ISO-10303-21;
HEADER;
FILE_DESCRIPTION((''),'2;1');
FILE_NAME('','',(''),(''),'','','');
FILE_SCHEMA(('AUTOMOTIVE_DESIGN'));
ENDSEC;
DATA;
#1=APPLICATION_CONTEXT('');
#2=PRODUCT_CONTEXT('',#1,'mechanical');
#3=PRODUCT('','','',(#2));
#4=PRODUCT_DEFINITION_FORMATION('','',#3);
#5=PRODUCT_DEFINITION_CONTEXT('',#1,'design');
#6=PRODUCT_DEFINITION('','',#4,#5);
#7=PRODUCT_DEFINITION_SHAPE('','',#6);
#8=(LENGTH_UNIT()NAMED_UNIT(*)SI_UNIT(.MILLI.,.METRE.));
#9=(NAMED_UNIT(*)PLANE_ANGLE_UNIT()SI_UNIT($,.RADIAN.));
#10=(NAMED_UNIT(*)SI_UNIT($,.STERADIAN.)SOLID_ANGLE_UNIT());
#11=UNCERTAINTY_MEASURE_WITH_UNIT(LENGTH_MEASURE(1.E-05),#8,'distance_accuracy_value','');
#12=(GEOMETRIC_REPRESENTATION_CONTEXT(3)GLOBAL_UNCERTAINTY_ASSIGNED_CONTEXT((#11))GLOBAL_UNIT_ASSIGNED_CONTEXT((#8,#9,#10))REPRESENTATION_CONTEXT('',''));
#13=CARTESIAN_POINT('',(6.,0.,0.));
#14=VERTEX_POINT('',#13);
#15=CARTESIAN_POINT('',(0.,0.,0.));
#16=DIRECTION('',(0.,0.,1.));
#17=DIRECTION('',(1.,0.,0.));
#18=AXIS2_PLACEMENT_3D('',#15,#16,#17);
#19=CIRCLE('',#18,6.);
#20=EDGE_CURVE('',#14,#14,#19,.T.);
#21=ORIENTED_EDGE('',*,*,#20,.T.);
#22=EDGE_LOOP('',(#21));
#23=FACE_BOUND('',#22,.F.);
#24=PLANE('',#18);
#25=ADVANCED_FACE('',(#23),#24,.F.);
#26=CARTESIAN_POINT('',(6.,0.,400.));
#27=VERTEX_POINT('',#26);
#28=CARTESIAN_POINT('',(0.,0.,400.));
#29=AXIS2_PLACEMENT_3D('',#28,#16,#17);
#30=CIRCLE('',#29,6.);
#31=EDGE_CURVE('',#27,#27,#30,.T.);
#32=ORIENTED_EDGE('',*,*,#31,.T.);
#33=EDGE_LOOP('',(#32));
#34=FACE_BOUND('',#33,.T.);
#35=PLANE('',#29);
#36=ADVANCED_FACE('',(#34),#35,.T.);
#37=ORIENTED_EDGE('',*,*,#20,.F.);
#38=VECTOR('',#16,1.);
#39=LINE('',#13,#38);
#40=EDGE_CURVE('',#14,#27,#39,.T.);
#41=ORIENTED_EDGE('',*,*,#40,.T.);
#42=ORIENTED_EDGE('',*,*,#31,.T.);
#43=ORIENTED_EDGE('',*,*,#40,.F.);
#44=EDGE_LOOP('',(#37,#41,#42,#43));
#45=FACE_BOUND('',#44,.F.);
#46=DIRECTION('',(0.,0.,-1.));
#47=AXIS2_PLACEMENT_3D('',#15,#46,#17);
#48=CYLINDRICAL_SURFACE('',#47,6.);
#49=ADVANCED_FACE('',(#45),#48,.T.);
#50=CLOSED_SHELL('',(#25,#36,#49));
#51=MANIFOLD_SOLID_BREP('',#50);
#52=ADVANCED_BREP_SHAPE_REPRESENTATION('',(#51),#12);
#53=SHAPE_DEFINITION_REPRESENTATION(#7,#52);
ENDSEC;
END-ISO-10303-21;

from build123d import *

# Parameters (mm, degrees)
SKETCH_R  = 6
PAD_DEPTH = 400


with BuildPart() as part:
    # Sketch → Pad (new body)
    with BuildSketch(Plane.XY):
        Circle(SKETCH_R)
    extrude(amount=PAD_DEPTH)


solid = part.part
